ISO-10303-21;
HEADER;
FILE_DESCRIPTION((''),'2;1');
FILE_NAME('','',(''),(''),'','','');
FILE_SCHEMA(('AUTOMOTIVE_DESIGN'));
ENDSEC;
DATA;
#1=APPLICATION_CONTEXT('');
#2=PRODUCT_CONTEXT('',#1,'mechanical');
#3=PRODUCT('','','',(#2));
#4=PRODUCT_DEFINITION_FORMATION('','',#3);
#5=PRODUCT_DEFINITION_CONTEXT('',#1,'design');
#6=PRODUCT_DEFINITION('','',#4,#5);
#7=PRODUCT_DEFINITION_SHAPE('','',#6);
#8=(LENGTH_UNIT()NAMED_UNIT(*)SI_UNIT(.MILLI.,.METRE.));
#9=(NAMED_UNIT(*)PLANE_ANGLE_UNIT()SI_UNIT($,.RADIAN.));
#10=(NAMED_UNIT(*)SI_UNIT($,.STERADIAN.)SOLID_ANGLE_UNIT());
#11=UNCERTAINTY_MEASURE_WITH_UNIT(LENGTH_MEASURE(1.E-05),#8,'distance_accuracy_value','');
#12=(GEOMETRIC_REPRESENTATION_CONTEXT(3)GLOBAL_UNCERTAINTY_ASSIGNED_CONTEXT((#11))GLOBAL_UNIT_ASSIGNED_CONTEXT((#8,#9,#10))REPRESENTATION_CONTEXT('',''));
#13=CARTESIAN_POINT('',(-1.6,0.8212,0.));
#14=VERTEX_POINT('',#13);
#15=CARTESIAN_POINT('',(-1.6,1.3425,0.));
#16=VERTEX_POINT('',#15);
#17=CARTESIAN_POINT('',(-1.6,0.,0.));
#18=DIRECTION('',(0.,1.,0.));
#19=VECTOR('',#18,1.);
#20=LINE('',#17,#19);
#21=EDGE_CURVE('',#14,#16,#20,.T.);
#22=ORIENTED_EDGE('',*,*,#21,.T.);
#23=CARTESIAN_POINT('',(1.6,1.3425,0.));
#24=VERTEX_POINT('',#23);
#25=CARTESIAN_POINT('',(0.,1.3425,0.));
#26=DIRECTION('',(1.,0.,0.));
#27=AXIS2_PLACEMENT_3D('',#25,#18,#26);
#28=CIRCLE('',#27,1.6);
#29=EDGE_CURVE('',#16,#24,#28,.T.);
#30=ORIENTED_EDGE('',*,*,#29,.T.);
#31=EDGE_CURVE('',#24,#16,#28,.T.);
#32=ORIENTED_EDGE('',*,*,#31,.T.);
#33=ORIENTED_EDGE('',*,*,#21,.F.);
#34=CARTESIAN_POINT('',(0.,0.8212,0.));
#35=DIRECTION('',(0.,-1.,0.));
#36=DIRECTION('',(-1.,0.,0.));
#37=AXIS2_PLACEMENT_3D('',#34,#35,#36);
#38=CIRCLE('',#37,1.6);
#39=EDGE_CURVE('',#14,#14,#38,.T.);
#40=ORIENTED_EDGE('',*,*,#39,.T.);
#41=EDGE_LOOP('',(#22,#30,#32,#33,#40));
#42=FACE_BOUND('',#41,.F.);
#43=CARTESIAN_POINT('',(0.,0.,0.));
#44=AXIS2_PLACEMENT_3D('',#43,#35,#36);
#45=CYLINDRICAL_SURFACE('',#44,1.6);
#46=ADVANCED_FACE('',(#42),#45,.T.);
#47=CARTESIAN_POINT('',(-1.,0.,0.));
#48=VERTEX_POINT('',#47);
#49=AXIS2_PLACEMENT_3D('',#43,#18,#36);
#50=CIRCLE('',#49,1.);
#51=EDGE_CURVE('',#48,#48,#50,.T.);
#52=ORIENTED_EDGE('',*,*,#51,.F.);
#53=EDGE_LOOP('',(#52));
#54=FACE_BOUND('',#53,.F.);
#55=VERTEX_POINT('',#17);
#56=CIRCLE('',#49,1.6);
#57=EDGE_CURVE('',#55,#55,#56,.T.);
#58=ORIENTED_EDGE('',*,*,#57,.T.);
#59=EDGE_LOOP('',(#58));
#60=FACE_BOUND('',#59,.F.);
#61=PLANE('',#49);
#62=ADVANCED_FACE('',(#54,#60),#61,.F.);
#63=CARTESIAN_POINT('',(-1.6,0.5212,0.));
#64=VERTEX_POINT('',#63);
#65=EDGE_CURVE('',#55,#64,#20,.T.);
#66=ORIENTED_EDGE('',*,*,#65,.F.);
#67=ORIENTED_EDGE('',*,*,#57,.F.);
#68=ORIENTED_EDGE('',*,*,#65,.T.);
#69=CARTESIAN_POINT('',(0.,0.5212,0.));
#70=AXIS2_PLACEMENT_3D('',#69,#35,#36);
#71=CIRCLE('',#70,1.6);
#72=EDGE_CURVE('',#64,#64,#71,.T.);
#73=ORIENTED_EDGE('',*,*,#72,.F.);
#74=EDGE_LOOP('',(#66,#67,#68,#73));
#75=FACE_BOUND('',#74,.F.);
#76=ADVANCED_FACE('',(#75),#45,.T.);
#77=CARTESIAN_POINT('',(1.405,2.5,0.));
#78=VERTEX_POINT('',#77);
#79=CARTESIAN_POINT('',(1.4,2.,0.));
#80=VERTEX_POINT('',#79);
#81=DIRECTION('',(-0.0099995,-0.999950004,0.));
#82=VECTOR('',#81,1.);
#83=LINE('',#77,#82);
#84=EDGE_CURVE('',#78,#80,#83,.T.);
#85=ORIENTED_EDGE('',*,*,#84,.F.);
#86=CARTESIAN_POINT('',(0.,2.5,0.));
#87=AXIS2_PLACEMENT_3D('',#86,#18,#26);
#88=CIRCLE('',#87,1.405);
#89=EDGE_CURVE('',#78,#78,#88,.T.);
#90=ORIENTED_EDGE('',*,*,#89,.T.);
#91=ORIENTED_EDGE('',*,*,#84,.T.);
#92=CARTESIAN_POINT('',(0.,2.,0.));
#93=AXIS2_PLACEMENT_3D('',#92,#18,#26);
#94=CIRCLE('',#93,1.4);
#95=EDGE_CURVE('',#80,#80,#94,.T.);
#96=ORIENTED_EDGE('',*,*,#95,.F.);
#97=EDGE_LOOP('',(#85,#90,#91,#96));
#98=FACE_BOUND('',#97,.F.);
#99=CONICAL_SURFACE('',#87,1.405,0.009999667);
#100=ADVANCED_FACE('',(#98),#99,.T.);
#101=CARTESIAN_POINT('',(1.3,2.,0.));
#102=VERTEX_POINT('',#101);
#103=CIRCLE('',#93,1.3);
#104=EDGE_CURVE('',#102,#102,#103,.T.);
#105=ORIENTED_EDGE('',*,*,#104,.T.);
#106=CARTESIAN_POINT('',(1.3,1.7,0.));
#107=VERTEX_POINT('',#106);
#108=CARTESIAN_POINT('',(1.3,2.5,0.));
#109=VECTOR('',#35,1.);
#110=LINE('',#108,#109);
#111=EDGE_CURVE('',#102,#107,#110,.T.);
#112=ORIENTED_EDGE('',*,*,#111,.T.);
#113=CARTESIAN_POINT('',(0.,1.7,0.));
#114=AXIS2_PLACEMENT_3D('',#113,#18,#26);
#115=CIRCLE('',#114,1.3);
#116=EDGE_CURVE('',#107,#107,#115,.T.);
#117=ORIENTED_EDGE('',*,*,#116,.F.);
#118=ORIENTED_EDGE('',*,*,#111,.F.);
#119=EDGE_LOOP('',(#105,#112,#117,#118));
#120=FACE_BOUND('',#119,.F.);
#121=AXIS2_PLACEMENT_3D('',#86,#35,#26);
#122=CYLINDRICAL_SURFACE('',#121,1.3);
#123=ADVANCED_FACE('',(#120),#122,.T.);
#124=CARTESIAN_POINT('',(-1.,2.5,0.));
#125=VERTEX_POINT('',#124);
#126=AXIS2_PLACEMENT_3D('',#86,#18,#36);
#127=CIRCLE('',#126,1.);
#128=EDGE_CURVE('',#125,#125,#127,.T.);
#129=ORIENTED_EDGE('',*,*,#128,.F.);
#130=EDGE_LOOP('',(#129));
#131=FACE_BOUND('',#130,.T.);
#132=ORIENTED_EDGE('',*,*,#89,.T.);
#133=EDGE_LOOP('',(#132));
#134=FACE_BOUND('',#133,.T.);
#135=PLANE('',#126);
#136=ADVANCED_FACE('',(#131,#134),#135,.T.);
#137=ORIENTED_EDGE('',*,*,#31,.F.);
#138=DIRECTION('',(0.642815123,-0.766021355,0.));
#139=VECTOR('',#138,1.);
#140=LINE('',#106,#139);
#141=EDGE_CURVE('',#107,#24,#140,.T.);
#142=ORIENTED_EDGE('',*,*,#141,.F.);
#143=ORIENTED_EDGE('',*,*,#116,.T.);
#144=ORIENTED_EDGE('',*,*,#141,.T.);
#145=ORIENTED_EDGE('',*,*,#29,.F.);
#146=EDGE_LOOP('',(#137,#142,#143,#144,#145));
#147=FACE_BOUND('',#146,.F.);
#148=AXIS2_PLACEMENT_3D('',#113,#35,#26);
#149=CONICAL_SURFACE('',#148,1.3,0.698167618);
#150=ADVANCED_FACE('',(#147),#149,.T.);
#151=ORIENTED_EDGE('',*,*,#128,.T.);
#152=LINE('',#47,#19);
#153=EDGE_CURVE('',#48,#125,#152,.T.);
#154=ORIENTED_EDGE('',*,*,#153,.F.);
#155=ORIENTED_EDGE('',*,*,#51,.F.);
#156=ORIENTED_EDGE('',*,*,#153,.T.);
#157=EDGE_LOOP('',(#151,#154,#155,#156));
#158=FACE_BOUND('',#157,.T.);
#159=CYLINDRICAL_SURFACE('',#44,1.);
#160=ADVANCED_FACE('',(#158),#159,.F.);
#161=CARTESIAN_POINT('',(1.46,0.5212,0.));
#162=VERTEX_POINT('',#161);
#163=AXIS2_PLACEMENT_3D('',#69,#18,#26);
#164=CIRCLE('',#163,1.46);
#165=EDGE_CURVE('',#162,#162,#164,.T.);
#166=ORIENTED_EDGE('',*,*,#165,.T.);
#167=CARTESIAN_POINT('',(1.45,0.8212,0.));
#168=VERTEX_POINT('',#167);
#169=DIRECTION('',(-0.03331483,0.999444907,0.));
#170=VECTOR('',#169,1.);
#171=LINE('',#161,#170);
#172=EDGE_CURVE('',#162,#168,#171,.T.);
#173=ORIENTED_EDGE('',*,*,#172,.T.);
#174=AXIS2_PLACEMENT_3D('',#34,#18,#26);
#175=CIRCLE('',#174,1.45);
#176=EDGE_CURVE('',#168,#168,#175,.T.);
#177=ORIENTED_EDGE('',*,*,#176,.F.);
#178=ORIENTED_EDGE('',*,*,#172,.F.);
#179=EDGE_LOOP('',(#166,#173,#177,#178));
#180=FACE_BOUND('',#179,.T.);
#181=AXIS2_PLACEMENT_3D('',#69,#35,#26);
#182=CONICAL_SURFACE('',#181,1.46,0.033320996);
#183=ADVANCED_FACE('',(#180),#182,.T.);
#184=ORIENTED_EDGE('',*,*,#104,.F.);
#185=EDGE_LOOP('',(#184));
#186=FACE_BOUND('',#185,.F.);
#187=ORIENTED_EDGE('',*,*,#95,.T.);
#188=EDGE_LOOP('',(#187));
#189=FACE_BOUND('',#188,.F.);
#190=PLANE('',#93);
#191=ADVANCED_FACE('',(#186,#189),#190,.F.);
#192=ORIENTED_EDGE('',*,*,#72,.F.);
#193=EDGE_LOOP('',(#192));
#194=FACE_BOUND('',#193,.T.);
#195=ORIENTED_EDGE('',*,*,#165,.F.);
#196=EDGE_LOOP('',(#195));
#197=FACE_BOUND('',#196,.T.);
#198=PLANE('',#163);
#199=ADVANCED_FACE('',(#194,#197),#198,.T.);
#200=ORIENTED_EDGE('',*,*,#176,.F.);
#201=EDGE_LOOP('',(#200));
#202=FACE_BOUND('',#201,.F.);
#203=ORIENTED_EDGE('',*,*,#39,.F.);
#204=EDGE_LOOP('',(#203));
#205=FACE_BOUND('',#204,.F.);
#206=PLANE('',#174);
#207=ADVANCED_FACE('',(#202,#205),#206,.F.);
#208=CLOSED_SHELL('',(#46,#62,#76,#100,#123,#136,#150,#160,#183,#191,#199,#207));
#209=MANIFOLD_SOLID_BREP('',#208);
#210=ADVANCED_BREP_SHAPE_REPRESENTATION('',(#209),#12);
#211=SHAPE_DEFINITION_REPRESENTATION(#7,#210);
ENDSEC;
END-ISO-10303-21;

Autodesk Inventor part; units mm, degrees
ref_plane "YZ Plane" through (0, 0, 0) normal (1, 0, 0) x (0, 1, 0)
ref_plane "XZ Plane" through (0, 0, 0) normal (0, 1, 0) x (-1, 0, 0)
ref_plane "XY Plane" through (0, 0, 0) normal (0, 0, 1) x (1, 0, 0)
sketch "Эскиз1" plane through (0, 0, 0) normal (0, 1, 0) x (-1, 0, 0)
  circle A0 centre (0, 0) radius 1.6
  circle A1 centre (0, 0) radius 1
  dimension "d0" = 3.2
  dimension "d1" = 2
extrude "Выдавливание1" add sketch "Эскиз1" along normal blind 2.5
thread "Резьба1" size "M2x0.25" class "6H" standard "ANSI Metric M Profile" length 19.85
sketch "Эскиз2" plane through (0, 0, 0) normal (0, 0, 1) x (1, 0, 0)
  line L0 (1.6, 2.5) -> (-1.6, 2.5) projected
  line L1 (1.6, 2.5) -> (1.3, 2.5)
  line L2 (1.3, 2.5) -> (1.3, 0)
  line L3 (1.6, 0) -> (-1.6, 0) projected
  line L4 (1.6, 2.5) -> (1.6, 0)
  line L5 (0, 0) -> (0, 2.5)
  line L6 (1.6, 2.5) -> (1.6, 2)
  line L7 (1.6, 0) -> (1.6, 2.5) projected
  line L8 (1.6, 2) -> (1.5, 2)
  line L9 (1.5, 2) -> (1.3, 2)
  line L10 (1.3, 2) -> (1.3, 1.7)
  line L11 (1.3, 1.7) -> (1.6, 1.3425)
  line L12 (1.6, 1.3425) -> (1.6, 0)
  line L13 (1.6, 0.6712) -> (1.6, 0.5212)
  line L14 (1.6, 0.5212) -> (1.3, 0.5212)
  line L15 (1.6, 0.6712) -> (1.6, 0.8212)
  line L16 (1.6, 0.8212) -> (1.3, 0.8212)
  line L17 (0, 2.5) -> (1.405, 2.5)
  line L18 (1.405, 2.5) -> (1.4, 2)
  line L19 (0, 0.5212) -> (1.46, 0.5212)
  line L20 (1.46, 0.5212) -> (1.45, 0.8212)
  point P0 (1.6, 0.5212)
  point P1 (1.6, 1.3425)
  dimension "d7" = 0.3
  dimension "d8" = 0.5
  dimension "d10" = 0.3
  dimension "d11" = 40
  dimension "d12" = 0.15
  dimension "d13" = 0.15
  dimension "d15" = 1.405
  dimension "d16" = 1.46
revolve "Вращение1" cut sketch "Эскиз2" angle 360 about axis through (0, 0, 0) along (0, 1, 0) contours L4 L8 L9 L18 L0 | L4 L11 L2 L9 L8 | L4 L14 L20 L16
properties part number "investment nut M2 OD3,2 L2,5"
